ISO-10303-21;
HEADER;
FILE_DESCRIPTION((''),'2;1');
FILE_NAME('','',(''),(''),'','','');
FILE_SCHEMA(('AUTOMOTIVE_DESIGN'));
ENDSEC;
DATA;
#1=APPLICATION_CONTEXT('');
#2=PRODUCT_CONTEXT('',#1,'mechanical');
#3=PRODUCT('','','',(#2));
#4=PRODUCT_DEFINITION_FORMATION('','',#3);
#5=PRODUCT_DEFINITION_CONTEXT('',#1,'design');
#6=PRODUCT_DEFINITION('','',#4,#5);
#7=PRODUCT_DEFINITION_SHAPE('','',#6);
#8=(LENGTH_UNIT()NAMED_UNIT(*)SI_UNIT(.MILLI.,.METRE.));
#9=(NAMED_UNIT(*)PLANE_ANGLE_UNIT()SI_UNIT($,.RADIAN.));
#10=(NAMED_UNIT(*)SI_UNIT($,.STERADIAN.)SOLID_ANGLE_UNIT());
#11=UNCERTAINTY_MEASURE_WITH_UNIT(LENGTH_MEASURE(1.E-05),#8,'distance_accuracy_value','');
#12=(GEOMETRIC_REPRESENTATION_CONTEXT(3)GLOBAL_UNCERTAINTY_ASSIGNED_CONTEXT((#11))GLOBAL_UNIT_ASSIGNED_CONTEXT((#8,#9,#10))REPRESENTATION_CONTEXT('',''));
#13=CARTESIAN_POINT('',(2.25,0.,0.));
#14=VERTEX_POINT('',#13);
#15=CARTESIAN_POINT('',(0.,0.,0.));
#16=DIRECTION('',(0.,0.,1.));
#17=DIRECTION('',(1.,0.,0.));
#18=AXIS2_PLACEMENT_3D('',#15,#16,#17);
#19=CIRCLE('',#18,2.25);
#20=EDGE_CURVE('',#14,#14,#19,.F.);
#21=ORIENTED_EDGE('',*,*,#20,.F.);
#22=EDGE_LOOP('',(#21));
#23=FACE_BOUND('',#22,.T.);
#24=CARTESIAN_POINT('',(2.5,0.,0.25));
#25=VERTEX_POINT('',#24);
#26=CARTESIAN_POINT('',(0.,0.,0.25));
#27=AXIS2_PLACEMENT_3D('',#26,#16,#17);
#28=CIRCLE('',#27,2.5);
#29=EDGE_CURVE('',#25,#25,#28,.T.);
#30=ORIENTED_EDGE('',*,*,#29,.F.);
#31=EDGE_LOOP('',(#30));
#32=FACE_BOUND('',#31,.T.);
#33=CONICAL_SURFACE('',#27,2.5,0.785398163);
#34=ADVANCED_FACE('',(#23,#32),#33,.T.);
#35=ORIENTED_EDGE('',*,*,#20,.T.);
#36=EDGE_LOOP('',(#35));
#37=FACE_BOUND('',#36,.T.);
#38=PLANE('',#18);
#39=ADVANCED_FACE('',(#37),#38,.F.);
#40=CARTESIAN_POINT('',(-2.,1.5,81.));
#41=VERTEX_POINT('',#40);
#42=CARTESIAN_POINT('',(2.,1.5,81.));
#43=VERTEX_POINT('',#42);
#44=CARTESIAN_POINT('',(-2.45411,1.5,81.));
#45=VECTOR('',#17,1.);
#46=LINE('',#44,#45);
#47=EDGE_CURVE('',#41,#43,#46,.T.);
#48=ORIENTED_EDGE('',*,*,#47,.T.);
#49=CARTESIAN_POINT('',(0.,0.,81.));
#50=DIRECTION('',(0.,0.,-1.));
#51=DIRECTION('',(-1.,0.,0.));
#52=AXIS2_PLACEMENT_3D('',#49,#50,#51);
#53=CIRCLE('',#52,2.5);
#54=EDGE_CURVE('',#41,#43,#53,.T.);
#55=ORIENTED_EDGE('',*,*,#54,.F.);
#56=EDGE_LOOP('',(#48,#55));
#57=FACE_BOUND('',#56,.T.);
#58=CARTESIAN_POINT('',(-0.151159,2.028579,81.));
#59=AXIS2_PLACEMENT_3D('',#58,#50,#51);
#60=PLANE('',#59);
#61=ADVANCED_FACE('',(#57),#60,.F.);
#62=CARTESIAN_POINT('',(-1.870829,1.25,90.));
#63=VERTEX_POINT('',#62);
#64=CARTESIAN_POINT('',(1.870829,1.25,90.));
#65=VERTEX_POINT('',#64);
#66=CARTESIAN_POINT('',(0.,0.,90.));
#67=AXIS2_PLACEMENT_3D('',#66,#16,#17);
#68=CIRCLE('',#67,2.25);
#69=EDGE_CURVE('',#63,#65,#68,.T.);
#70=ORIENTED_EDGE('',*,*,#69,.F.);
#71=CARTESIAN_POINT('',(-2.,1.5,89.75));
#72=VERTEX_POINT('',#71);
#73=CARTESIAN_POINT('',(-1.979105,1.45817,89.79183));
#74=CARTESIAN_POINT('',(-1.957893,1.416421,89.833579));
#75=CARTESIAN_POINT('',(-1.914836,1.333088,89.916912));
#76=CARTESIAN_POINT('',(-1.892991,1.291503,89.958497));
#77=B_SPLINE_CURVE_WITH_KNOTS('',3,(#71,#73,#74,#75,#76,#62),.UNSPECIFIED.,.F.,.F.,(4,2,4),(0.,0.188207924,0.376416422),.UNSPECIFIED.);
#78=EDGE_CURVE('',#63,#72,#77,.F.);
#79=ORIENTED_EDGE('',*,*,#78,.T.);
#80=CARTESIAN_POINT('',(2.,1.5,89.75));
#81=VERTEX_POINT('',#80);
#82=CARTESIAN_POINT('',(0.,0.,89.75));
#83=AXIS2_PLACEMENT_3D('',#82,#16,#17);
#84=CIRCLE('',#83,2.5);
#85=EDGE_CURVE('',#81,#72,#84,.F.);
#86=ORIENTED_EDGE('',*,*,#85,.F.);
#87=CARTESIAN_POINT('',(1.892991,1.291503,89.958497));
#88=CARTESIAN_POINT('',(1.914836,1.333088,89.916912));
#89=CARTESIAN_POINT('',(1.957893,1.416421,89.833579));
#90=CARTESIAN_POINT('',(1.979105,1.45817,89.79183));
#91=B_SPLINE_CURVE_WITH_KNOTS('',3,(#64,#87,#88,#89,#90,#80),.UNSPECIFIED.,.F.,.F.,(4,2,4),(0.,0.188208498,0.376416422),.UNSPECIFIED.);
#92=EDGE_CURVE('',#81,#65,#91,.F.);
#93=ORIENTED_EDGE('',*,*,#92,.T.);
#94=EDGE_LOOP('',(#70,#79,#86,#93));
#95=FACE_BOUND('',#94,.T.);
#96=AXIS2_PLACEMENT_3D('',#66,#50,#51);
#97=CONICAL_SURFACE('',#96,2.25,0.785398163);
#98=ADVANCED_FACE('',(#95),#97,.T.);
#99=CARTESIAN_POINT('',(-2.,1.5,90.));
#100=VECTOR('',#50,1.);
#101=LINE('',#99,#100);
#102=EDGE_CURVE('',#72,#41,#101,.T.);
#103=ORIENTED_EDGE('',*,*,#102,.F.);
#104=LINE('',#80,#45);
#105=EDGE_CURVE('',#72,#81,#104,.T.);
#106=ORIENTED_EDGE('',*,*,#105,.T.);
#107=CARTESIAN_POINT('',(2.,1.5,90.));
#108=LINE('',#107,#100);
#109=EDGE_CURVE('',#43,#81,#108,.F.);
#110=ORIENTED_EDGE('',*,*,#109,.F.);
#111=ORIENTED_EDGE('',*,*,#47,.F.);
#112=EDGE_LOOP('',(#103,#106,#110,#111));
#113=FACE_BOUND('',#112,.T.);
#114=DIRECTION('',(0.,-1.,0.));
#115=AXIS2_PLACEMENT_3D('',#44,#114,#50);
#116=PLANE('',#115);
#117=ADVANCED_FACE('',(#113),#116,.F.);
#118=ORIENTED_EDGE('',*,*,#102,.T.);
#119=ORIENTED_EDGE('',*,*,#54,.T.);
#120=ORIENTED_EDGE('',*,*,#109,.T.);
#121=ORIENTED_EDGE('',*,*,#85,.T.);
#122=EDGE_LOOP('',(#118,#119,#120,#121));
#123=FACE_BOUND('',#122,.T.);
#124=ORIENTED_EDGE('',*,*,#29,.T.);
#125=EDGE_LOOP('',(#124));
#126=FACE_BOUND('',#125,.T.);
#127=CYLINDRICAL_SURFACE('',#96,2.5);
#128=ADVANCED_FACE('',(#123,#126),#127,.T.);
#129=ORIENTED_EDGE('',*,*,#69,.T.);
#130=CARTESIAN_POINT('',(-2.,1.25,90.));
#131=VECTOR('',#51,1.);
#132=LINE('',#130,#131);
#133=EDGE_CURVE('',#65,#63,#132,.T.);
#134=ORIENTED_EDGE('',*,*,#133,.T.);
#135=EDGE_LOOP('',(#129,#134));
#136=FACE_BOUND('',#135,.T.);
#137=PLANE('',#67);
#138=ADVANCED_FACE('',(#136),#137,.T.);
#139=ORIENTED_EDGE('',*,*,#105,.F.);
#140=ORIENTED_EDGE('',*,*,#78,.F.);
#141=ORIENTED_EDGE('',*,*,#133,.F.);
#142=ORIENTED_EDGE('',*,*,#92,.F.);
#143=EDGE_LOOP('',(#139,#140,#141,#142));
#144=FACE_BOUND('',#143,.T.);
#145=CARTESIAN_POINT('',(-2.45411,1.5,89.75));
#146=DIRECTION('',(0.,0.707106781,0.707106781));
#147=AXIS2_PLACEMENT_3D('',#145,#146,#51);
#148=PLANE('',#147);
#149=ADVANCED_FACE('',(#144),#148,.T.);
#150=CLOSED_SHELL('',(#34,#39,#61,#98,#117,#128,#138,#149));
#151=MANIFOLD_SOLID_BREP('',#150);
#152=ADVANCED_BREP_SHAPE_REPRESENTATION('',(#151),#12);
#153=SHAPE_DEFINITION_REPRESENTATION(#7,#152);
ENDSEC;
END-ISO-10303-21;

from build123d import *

# Parameters (mm, degrees)
SKETCH1_R           = 2.5
BOSS_EXTRUDE1_DEPTH = 90
CUT_EXTRUDE1_DEPTH  = 9
CHAMFER1_SIZE       = 0.25


with BuildPart() as part:
    # Sketch1 → Boss-Extrude1 (new body)
    with BuildSketch(Plane.XY):
        with Locations(Location((0, 0, 0), (0, 0, 180))):
            Circle(SKETCH1_R)
    extrude(amount=BOSS_EXTRUDE1_DEPTH)

    # Sketch2 → Cut-Extrude1 (cut)
    with BuildSketch(Plane.XY.offset(90)):
        with BuildLine():
            Line((-2.454110015, 1.5), (2.151792115, 1.5))
            ThreePointArc((2.151792115, 1.5), (-0.15115895, 4.391411645), (-2.454110015, 1.5))
        make_face()
    extrude(amount=-CUT_EXTRUDE1_DEPTH, mode=Mode.SUBTRACT)

    # Chamfer1
    chamfer1_edges = [part.edges().sort_by_distance(p)[0] for p in [
        (2.5, 0, 0),
        (0.790569415, -2.371708245, 90),
        (0, 1.5, 90),
    ]]
    chamfer(chamfer1_edges, length=CHAMFER1_SIZE)


solid = part.part
